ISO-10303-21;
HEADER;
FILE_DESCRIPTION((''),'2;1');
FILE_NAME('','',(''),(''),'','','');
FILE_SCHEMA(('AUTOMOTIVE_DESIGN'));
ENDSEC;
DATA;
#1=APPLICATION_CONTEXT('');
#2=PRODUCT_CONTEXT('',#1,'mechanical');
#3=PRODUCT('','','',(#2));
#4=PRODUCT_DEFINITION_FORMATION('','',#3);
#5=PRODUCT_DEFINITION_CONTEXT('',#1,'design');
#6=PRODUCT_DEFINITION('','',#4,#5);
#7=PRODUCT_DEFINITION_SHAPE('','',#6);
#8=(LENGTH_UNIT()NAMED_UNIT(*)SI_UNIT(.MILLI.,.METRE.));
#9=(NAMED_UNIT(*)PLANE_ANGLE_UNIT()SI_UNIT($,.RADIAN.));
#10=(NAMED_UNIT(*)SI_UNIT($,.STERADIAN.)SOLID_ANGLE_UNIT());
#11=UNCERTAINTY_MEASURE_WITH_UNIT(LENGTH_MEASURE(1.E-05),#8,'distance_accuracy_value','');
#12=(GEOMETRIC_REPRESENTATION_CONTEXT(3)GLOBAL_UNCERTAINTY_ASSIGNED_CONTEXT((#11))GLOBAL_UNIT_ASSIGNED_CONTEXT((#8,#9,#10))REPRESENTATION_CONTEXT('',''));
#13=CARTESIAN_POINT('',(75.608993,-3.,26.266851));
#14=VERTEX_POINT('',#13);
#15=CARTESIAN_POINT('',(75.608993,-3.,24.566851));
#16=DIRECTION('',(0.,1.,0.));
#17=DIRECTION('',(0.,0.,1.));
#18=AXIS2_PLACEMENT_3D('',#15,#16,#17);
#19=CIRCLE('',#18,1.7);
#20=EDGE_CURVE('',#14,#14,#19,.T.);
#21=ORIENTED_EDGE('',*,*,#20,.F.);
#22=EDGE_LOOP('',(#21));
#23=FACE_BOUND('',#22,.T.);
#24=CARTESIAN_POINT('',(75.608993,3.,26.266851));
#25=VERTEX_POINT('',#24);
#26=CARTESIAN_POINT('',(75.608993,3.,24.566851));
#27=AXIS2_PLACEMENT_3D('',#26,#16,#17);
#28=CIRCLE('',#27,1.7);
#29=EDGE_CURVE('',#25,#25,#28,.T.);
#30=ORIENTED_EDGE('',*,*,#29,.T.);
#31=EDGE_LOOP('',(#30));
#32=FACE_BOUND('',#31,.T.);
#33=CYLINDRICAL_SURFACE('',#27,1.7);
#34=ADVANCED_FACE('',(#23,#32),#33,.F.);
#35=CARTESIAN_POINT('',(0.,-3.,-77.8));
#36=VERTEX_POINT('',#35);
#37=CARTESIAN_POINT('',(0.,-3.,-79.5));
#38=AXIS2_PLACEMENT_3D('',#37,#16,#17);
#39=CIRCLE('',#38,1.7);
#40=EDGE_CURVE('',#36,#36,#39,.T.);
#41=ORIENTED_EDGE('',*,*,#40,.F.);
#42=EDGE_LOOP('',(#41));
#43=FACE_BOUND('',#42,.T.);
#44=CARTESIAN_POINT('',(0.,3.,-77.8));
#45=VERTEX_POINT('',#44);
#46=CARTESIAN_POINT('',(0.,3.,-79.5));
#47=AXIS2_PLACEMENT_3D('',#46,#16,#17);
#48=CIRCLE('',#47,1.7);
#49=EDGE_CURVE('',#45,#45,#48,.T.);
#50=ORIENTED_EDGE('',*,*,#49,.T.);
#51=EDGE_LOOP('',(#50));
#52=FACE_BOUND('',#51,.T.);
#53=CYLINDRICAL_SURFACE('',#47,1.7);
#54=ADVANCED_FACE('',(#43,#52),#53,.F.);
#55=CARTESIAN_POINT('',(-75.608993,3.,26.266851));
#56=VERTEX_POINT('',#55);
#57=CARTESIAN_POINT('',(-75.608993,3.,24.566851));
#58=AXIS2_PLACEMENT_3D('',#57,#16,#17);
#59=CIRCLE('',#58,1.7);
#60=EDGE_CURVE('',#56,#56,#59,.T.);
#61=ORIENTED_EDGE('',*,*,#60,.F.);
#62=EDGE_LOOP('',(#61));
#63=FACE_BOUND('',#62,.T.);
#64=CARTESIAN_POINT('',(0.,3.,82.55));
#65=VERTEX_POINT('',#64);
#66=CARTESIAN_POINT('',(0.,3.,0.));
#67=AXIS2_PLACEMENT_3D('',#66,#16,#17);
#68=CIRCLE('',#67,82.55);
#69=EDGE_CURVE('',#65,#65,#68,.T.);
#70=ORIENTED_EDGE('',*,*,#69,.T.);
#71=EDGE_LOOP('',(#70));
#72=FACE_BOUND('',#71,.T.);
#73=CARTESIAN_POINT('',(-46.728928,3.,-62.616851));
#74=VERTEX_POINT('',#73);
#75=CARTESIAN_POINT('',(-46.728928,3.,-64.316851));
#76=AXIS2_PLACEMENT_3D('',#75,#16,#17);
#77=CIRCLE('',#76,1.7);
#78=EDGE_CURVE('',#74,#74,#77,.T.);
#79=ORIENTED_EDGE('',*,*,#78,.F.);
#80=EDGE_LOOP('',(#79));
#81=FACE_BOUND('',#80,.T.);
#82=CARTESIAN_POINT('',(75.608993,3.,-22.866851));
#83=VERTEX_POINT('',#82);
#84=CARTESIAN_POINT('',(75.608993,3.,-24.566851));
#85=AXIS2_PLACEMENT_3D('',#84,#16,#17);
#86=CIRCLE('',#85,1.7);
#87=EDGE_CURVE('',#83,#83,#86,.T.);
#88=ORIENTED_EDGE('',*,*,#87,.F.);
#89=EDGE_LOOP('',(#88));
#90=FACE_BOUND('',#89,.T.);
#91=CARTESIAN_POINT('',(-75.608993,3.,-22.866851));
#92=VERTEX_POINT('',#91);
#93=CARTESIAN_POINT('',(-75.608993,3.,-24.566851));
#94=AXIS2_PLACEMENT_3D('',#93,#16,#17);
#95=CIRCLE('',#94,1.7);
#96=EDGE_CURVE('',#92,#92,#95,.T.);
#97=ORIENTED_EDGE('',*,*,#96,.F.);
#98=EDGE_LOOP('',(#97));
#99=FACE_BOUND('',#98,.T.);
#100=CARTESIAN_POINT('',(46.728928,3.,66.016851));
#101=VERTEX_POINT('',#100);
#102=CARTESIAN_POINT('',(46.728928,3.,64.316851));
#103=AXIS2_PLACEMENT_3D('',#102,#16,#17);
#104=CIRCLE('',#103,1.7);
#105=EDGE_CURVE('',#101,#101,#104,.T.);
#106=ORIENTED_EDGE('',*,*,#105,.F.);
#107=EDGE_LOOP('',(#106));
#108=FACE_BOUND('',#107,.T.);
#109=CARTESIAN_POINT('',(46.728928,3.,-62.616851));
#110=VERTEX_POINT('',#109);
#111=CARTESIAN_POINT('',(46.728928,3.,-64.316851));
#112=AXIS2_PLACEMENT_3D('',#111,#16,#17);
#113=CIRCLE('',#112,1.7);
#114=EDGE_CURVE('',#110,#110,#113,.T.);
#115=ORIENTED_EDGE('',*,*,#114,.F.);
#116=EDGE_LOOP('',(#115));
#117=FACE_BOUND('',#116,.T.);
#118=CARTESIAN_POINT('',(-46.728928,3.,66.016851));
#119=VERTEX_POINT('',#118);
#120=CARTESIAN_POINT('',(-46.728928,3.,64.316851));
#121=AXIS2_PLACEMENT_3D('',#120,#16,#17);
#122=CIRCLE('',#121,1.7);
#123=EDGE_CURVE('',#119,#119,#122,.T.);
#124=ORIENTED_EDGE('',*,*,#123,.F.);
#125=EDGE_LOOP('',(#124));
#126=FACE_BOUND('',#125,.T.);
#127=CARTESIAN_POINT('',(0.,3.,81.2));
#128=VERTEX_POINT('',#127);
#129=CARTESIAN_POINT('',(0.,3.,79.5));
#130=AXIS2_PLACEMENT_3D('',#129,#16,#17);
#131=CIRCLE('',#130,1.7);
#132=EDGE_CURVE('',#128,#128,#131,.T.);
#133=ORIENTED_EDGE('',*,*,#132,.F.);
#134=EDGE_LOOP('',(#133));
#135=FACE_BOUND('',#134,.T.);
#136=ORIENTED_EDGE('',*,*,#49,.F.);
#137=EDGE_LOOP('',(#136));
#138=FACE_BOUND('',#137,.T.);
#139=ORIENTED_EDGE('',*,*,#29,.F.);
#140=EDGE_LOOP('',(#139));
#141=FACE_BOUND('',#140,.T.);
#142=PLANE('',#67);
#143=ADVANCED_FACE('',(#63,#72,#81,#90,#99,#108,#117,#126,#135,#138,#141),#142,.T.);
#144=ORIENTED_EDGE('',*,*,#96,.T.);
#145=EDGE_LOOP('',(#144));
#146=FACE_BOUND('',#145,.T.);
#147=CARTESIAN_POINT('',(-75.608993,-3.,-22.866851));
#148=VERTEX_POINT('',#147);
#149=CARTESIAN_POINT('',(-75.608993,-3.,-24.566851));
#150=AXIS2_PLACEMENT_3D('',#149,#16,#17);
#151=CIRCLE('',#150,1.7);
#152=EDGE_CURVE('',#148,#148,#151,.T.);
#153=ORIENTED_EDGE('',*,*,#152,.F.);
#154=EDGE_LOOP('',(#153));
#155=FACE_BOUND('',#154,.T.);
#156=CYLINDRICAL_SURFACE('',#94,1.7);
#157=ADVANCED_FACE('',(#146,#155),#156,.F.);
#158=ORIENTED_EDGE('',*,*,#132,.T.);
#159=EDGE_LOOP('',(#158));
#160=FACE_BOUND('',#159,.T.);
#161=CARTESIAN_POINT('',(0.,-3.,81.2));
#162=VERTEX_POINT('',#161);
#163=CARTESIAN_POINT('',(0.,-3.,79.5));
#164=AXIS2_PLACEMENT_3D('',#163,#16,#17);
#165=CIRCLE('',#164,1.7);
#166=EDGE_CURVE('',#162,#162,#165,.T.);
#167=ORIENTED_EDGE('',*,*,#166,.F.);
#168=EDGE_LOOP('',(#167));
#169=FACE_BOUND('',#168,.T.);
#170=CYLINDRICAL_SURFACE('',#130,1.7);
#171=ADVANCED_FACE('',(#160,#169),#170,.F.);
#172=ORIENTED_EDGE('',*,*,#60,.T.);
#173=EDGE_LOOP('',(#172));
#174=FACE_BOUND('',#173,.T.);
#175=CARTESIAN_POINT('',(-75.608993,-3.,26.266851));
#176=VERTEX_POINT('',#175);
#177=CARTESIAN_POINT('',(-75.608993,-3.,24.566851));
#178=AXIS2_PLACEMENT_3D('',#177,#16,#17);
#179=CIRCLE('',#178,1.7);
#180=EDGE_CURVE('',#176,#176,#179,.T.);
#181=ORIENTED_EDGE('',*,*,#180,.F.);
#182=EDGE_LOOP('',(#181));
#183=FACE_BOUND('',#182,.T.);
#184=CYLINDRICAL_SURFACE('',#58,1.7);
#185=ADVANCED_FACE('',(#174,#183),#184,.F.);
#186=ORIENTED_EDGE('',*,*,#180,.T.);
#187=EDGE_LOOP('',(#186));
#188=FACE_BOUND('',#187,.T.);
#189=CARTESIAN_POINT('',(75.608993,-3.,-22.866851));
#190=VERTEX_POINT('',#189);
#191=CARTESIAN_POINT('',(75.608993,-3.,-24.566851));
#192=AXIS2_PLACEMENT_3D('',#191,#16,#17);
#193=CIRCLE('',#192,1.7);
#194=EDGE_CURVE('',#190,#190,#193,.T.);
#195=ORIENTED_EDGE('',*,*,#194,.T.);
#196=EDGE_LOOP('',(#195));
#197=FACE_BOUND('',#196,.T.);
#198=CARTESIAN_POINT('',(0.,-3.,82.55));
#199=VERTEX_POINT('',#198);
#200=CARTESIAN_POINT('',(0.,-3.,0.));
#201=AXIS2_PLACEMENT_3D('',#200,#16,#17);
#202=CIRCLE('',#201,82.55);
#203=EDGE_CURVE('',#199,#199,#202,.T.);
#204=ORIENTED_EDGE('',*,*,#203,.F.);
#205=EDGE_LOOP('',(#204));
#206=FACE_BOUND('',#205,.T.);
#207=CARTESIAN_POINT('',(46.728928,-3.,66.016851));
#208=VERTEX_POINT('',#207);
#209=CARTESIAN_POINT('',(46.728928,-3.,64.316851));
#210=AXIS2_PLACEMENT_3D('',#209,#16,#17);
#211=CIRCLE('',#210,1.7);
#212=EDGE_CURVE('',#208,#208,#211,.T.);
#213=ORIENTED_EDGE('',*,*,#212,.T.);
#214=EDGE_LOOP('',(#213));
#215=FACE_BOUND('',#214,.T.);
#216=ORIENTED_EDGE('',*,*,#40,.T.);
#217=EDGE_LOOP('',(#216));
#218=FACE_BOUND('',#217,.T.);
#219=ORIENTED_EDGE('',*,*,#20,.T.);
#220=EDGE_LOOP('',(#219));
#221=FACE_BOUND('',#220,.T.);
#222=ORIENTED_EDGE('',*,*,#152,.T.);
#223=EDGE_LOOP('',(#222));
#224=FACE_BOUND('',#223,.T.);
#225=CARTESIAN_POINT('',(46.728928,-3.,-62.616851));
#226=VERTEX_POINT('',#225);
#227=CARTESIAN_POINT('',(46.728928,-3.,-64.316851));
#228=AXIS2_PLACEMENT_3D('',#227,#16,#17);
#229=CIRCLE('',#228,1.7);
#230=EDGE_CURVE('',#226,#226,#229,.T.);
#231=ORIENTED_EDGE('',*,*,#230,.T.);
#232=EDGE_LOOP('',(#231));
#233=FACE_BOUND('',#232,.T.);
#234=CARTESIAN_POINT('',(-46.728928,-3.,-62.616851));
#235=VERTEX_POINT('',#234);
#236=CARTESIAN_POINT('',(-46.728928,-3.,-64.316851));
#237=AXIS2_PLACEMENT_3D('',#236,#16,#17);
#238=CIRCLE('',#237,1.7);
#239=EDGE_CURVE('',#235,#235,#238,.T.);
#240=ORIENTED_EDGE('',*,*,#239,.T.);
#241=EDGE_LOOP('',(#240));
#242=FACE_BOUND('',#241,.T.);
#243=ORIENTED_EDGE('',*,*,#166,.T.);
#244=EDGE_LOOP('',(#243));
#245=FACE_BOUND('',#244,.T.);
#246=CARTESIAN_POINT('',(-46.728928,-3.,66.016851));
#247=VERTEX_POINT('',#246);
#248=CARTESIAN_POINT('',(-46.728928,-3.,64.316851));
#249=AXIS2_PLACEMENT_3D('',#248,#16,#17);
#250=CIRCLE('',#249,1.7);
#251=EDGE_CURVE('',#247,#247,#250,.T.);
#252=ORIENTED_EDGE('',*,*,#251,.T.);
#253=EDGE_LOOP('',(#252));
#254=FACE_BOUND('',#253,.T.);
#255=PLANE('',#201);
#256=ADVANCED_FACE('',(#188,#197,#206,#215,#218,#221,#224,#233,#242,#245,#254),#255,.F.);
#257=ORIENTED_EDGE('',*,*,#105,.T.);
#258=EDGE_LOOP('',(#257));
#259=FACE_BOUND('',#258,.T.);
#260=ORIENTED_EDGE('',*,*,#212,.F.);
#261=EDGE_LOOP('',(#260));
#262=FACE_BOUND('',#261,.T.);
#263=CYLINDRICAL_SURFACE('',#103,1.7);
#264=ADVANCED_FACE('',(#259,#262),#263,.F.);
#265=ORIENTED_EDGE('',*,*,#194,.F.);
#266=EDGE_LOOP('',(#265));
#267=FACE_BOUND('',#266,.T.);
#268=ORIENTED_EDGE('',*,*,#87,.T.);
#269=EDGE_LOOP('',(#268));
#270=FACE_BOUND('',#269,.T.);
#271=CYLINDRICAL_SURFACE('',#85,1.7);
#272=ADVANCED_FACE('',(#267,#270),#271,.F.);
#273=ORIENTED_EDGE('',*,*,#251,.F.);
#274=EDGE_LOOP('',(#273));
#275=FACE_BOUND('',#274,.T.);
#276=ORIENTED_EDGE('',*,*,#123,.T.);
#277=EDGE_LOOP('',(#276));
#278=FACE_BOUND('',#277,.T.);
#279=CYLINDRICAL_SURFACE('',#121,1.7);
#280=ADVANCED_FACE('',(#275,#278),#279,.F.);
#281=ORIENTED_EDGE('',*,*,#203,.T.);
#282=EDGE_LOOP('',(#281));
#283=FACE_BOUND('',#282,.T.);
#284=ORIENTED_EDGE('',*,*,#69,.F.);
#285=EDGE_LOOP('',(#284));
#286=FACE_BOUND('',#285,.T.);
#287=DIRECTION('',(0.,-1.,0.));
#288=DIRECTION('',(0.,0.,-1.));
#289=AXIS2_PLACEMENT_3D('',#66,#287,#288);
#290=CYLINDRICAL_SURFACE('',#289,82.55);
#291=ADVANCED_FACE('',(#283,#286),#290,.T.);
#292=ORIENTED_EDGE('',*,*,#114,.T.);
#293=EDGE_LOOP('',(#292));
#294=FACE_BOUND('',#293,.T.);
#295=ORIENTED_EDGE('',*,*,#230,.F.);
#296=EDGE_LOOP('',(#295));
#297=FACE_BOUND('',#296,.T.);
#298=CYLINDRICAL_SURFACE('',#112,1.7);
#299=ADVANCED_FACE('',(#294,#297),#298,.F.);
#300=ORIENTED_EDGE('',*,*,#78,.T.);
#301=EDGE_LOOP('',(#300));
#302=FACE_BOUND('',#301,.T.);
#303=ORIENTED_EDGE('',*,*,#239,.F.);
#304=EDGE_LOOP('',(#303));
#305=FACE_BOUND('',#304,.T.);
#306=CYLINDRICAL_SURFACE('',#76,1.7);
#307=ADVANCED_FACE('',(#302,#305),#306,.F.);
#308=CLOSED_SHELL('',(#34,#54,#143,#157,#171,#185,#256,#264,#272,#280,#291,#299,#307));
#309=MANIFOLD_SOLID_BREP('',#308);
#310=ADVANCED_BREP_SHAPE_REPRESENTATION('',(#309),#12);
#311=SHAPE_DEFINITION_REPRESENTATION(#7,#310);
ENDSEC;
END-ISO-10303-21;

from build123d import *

# Parameters (mm, degrees)
SKETCH1_R            = 82.55
BOSS_EXTRUDE1_DEPTH  = 3
M3_CLEARANCE_HOLE1_D = 3.4


with BuildPart() as part:
    # Sketch1 → Boss-Extrude1 (new body, symmetric)
    with BuildSketch(Plane(origin=(0, 0, 0), x_dir=(1, 0, 0), z_dir=(0, 1, 0))):
        Circle(SKETCH1_R)
    extrude(amount=BOSS_EXTRUDE1_DEPTH, both=True)

    # M3 Clearance Hole1 (through all)
    with Locations(Plane(origin=(0, 3, 0), x_dir=(1, 0, 0), z_dir=(0, 1, 0))):
        with Locations((0, 79.5), (46.728927557, 64.316851053), (75.608993045, 24.566851053), (75.608993045, -24.566851053), (46.728927557, -64.316851053), (0, -79.5), (-46.728927557, -64.316851053), (-75.608993045, -24.566851053), (-75.608993045, 24.566851053), (-46.728927557, 64.316851053)):
            Hole(M3_CLEARANCE_HOLE1_D / 2)


solid = part.part
